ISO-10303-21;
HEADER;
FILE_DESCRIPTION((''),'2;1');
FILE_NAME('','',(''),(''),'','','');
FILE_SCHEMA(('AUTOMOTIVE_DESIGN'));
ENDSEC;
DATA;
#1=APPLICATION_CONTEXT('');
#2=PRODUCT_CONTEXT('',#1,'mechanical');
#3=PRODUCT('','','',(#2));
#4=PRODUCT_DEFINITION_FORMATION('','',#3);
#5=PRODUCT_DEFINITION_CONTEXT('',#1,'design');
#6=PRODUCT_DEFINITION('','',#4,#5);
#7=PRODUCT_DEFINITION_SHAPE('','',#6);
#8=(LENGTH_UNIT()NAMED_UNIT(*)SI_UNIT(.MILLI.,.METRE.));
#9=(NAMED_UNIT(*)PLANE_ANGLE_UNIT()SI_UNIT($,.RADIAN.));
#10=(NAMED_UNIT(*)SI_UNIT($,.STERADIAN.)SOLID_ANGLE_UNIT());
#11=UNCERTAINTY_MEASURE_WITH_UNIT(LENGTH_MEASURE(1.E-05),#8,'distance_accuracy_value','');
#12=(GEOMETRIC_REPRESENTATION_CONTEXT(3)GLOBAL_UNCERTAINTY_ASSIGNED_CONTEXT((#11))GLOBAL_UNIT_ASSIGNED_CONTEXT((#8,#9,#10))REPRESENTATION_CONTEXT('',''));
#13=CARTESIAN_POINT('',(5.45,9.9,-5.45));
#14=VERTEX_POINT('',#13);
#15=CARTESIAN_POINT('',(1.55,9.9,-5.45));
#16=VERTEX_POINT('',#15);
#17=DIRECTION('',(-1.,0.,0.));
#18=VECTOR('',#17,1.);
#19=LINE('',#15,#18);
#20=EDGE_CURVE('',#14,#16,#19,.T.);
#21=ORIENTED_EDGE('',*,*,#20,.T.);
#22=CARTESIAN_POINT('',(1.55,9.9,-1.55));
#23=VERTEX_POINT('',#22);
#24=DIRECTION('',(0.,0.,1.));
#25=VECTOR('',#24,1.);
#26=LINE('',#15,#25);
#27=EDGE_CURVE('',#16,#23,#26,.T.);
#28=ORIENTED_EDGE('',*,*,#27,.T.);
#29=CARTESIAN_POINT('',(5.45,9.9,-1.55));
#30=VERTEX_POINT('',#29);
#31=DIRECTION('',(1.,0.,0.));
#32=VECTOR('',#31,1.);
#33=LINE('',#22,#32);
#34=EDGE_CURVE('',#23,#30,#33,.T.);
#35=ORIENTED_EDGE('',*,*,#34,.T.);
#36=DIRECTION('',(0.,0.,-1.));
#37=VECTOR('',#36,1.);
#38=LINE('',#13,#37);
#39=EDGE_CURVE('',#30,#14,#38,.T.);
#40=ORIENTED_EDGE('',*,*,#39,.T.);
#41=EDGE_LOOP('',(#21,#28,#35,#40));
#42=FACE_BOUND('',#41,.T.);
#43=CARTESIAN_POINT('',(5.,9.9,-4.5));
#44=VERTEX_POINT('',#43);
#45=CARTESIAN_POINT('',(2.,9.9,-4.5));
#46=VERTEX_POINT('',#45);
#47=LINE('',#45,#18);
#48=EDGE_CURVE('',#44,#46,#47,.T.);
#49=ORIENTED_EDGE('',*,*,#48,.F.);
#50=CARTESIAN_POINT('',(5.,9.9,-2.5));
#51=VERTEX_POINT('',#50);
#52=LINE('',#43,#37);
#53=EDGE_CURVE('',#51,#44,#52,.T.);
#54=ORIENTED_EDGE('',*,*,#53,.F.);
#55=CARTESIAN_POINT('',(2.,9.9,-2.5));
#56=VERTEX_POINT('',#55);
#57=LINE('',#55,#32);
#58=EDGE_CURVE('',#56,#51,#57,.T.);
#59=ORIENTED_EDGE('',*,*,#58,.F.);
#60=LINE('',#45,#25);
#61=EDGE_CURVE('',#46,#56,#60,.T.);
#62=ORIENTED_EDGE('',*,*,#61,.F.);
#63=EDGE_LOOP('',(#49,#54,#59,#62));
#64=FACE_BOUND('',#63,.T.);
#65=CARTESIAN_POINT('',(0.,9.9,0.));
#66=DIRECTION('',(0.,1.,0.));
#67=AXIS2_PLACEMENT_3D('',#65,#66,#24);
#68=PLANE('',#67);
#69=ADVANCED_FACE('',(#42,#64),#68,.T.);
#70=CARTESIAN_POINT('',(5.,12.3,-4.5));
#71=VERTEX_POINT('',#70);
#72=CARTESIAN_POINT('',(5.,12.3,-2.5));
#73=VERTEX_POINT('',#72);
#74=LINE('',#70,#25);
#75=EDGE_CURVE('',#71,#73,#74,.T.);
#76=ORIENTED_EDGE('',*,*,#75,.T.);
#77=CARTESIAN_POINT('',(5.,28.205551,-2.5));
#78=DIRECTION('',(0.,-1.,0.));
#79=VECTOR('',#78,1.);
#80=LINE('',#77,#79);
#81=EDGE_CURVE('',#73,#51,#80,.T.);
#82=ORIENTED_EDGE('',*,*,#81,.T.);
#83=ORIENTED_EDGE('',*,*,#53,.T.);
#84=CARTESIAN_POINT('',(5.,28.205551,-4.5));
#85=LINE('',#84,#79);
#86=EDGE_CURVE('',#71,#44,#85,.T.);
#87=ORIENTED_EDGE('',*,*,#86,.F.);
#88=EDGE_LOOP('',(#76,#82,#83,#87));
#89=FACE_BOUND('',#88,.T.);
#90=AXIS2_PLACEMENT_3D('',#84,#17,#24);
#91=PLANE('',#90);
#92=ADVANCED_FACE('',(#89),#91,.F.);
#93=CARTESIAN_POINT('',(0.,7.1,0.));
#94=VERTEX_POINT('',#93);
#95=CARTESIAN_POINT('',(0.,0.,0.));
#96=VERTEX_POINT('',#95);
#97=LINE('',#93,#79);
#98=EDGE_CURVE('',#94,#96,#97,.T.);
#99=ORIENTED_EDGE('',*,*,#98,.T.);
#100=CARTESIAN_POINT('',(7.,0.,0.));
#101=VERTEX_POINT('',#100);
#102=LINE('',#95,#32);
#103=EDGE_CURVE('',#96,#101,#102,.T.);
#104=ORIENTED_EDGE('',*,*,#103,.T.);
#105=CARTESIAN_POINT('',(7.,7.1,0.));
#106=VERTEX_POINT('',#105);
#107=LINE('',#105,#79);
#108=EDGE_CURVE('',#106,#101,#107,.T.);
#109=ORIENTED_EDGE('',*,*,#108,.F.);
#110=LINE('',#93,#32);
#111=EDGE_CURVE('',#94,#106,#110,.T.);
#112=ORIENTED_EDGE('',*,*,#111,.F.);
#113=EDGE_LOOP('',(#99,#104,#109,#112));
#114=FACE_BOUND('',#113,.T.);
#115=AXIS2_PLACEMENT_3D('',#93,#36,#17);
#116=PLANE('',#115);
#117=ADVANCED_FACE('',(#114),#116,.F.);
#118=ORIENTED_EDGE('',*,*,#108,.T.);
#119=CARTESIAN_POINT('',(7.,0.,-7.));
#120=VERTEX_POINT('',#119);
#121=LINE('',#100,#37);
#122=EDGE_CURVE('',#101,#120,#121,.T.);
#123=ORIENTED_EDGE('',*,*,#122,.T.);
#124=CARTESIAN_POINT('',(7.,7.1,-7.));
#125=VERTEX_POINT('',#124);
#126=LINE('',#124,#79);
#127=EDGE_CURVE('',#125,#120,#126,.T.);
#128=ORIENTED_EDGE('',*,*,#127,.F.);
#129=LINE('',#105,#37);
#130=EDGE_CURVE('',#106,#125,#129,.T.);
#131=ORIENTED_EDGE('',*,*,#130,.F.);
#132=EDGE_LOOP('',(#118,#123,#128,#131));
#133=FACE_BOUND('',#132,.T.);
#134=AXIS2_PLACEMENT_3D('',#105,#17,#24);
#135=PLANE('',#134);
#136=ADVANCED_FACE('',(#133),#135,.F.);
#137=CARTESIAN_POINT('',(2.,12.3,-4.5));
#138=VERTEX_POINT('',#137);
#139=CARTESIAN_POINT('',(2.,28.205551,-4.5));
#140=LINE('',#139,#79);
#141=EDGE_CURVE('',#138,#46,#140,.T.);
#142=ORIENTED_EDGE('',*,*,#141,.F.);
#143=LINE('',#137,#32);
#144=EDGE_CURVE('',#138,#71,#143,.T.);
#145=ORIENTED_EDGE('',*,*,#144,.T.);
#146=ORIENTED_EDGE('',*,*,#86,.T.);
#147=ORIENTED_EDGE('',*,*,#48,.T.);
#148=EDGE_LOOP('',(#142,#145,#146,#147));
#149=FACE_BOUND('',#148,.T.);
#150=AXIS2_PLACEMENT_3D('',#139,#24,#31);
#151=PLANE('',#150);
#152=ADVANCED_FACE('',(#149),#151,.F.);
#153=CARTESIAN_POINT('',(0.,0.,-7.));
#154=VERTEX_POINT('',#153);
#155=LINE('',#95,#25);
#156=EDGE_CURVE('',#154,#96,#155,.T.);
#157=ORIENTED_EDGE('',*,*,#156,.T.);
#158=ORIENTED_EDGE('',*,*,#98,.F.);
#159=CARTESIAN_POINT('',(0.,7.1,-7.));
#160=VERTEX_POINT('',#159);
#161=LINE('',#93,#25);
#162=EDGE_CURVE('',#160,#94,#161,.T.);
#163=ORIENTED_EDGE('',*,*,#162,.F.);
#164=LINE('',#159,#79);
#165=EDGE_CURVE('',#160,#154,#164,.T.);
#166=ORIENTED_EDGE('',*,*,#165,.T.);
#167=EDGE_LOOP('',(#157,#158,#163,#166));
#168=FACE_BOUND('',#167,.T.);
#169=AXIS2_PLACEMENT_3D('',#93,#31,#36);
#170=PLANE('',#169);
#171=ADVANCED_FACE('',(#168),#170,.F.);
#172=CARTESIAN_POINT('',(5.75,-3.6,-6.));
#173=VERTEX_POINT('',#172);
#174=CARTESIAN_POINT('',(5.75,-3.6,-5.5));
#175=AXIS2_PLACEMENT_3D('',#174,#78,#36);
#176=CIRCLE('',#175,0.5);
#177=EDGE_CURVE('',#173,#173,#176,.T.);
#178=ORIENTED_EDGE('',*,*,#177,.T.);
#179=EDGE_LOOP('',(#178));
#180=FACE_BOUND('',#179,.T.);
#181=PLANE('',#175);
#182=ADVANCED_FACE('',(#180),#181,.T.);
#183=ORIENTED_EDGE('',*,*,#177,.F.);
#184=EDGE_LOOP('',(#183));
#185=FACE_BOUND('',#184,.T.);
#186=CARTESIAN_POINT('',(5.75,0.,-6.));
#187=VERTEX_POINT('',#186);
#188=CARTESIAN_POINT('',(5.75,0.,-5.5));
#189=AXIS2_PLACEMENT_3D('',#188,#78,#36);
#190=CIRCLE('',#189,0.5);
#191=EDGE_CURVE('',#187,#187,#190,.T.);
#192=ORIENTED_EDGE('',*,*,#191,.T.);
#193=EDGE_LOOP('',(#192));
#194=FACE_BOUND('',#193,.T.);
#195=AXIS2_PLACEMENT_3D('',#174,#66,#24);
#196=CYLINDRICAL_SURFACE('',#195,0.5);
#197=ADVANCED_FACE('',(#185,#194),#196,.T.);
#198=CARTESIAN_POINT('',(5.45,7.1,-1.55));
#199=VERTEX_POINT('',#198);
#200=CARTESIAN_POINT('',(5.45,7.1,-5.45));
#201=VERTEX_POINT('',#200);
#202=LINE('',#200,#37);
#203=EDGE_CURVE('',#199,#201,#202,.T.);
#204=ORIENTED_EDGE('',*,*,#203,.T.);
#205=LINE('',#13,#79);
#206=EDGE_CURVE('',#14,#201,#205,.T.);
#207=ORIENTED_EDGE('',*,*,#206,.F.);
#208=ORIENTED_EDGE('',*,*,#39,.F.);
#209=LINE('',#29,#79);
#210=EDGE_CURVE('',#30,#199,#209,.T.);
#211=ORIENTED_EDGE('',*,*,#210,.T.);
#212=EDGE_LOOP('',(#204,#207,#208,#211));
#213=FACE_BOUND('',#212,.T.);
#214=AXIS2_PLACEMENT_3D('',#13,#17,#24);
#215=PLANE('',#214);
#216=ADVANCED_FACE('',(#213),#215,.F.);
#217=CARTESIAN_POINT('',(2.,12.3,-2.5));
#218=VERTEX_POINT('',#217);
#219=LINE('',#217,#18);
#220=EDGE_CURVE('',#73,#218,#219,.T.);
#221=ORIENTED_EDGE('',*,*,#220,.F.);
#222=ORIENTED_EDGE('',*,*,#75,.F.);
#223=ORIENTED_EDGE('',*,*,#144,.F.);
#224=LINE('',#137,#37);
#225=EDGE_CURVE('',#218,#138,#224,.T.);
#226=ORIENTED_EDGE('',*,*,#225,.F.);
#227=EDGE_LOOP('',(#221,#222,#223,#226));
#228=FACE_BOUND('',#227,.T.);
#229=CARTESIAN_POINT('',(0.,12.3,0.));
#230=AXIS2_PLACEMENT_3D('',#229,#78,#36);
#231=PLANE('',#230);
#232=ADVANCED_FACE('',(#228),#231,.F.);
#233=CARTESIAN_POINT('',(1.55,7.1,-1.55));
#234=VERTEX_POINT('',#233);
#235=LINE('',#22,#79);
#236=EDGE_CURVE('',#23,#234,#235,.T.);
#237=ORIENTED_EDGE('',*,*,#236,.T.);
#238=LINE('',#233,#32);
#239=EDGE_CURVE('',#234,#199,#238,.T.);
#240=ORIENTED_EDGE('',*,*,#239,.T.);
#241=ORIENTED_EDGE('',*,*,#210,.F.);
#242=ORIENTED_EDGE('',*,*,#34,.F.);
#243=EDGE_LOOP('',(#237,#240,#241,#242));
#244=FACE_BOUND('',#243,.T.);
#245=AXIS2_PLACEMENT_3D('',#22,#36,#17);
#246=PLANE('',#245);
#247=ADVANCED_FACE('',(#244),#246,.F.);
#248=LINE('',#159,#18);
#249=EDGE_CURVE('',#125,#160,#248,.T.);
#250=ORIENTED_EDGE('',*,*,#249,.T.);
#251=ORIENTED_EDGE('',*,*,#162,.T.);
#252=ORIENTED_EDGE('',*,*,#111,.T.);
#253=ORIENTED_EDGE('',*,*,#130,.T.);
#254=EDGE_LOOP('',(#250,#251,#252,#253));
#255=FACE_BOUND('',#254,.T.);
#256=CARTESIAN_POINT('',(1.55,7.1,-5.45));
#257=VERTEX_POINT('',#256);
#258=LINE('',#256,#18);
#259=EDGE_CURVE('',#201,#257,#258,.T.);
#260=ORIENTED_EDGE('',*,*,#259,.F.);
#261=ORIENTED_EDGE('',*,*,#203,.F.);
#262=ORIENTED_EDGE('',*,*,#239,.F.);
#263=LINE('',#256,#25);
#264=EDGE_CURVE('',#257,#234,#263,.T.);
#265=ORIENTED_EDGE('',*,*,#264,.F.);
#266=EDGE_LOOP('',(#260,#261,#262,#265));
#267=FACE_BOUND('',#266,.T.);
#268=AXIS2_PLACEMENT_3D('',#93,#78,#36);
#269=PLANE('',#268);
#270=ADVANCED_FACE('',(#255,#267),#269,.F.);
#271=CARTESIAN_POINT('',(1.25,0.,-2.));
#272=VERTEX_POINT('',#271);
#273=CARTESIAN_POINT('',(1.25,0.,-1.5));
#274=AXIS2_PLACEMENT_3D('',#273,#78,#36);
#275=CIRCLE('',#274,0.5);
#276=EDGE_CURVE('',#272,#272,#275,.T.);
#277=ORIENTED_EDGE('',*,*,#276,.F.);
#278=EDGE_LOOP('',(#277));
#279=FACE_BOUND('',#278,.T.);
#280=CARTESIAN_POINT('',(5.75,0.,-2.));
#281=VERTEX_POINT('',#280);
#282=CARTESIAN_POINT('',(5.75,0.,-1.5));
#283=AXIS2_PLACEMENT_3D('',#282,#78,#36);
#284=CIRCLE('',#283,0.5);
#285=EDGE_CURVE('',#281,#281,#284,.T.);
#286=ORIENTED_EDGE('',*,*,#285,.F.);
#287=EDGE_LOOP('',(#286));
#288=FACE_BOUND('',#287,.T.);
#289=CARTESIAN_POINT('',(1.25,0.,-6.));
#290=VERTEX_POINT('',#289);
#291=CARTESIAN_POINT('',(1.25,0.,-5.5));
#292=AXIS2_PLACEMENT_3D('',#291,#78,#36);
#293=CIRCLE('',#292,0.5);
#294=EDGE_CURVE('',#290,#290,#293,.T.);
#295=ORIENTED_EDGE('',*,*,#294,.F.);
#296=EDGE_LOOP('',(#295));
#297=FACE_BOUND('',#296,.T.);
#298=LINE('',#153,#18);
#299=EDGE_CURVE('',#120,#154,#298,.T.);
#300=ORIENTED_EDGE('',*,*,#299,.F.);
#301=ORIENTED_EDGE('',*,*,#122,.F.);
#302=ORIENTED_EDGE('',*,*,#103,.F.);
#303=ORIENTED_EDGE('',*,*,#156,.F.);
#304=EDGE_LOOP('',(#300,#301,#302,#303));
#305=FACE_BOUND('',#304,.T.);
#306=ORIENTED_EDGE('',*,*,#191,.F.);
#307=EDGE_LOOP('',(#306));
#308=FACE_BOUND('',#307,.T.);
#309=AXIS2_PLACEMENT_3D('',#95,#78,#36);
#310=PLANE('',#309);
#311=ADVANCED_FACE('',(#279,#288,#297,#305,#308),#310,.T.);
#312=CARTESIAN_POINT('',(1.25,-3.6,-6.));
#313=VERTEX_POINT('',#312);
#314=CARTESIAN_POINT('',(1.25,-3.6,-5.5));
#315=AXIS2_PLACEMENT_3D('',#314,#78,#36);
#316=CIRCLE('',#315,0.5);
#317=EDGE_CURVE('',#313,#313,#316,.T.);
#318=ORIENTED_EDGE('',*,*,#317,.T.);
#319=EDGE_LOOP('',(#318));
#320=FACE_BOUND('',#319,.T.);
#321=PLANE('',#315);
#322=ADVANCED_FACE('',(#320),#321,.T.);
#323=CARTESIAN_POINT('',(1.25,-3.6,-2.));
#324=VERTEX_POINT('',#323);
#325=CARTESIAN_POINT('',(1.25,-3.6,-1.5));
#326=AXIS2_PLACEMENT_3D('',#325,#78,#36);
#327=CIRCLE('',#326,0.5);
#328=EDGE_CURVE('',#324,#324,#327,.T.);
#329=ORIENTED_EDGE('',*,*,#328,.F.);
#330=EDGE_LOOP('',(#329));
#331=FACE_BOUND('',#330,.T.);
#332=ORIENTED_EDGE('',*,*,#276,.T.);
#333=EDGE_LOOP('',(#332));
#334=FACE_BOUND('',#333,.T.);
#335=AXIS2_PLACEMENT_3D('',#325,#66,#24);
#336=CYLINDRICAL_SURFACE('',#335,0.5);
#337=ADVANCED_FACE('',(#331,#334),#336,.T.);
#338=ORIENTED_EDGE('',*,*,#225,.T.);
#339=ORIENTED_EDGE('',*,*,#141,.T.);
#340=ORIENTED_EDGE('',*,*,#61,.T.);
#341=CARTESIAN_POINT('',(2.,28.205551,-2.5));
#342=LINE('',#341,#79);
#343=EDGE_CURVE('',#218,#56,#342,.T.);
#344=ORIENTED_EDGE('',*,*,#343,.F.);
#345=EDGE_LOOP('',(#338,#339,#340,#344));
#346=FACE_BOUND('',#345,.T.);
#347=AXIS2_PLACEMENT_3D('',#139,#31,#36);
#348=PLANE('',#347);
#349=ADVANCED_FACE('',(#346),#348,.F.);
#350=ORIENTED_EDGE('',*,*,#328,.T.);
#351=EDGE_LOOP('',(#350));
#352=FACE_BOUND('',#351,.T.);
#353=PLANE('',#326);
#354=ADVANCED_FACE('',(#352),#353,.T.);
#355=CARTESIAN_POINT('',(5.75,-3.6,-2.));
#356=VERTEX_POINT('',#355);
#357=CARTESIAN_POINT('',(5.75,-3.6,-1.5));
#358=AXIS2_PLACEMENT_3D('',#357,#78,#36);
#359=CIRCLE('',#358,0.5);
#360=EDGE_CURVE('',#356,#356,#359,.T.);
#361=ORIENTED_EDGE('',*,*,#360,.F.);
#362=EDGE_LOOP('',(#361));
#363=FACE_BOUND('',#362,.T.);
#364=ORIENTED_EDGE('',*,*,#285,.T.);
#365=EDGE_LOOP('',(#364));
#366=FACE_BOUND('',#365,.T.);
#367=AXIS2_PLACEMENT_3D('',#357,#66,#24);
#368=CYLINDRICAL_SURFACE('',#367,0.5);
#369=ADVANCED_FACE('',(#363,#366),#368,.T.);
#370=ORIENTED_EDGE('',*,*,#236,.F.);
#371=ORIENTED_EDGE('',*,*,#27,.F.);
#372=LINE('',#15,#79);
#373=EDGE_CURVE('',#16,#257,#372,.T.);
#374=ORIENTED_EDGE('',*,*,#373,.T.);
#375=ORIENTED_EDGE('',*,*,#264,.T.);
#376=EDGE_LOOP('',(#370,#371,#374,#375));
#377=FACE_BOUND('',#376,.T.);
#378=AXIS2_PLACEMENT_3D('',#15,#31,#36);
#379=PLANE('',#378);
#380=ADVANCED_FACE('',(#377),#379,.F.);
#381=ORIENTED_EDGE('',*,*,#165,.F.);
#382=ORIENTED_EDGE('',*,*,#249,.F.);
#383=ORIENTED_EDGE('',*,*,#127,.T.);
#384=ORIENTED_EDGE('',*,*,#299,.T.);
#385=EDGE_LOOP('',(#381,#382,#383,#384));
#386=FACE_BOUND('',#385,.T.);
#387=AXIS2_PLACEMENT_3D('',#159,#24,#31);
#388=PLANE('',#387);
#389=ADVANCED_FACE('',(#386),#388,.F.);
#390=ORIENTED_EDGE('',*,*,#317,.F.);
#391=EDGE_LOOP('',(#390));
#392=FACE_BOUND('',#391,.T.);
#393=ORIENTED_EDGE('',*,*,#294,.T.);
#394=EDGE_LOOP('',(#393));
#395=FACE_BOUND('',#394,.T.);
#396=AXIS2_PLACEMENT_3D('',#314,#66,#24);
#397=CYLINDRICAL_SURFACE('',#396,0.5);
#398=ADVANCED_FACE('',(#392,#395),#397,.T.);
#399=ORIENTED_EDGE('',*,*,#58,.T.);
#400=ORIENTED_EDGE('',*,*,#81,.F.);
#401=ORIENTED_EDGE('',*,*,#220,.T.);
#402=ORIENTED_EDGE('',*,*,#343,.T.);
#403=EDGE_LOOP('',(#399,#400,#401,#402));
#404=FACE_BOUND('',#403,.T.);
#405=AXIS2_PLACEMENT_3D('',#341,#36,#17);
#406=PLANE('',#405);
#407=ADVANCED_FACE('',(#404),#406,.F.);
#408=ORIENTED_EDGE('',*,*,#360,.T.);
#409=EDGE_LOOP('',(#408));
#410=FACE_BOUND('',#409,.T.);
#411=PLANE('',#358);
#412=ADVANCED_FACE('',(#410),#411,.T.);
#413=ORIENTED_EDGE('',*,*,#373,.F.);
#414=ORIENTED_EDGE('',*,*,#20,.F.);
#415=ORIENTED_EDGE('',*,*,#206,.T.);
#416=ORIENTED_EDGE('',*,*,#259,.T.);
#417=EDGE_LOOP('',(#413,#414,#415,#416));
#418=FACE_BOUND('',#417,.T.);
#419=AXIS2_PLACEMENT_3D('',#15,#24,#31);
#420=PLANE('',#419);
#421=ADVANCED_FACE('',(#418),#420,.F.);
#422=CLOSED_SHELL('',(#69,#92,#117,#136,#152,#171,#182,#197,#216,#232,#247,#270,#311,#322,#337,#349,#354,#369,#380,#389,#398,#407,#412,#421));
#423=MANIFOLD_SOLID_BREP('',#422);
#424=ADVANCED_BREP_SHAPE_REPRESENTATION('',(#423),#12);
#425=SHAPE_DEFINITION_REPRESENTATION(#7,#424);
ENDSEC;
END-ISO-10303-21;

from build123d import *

# Parameters (mm, degrees)
SKETCH_1_W      = 7
SKETCH_1_H      = 7
EXTRUDE_1_DEPTH = 7.1
SKETCH_2_W      = 3.9
SKETCH_2_H      = 3.9
EXTRUDE_2_DEPTH = 2.8
SKETCH_3_R      = 0.5
EXTRUDE_3_DEPTH = 3.6
SKETCH_4_W      = 3
SKETCH_4_H      = 2
EXTRUDE_4_DEPTH = 2.4


with BuildPart() as part:
    # 草图1 → 凸台-拉伸1 (new body)
    with BuildSketch(Plane(origin=(0, 0, 0), x_dir=(1, 0, 0), z_dir=(0, 1, 0))):
        with Locations((3.5, 3.5)):
            Rectangle(SKETCH_1_W, SKETCH_1_H)
    extrude(amount=EXTRUDE_1_DEPTH)

    # 草图2 → 凸台-拉伸2 (add)
    with BuildSketch(Plane(origin=(0, 7.1, 0), x_dir=(1, 0, 0), z_dir=(0, 1, 0))):
        with Locations((3.5, 3.5)):
            Rectangle(SKETCH_2_W, SKETCH_2_H)
    extrude(amount=EXTRUDE_2_DEPTH)

    # 草图3 → 凸台-拉伸3 (add)
    with BuildSketch(Plane.XZ):
        with Locations(Location((1.25, -1.5, 0), (0, 0, 270))):
            Circle(SKETCH_3_R)
        with Locations(Location((5.75, -1.5, 0), (0, 0, 270))):
            Circle(SKETCH_3_R)
        with Locations(Location((5.75, -5.5, 0), (0, 0, 270))):
            Circle(SKETCH_3_R)
        with Locations(Location((1.25, -5.5, 0), (0, 0, 270))):
            Circle(SKETCH_3_R)
    extrude(amount=EXTRUDE_3_DEPTH)

    # 草图4 → 凸台-拉伸4 (add)
    with BuildSketch(Plane(origin=(0, 9.9, 0), x_dir=(1, 0, 0), z_dir=(0, 1, 0))):
        with Locations((3.5, 3.5)):
            Rectangle(SKETCH_4_W, SKETCH_4_H)
    extrude(amount=EXTRUDE_4_DEPTH)


solid = part.part
